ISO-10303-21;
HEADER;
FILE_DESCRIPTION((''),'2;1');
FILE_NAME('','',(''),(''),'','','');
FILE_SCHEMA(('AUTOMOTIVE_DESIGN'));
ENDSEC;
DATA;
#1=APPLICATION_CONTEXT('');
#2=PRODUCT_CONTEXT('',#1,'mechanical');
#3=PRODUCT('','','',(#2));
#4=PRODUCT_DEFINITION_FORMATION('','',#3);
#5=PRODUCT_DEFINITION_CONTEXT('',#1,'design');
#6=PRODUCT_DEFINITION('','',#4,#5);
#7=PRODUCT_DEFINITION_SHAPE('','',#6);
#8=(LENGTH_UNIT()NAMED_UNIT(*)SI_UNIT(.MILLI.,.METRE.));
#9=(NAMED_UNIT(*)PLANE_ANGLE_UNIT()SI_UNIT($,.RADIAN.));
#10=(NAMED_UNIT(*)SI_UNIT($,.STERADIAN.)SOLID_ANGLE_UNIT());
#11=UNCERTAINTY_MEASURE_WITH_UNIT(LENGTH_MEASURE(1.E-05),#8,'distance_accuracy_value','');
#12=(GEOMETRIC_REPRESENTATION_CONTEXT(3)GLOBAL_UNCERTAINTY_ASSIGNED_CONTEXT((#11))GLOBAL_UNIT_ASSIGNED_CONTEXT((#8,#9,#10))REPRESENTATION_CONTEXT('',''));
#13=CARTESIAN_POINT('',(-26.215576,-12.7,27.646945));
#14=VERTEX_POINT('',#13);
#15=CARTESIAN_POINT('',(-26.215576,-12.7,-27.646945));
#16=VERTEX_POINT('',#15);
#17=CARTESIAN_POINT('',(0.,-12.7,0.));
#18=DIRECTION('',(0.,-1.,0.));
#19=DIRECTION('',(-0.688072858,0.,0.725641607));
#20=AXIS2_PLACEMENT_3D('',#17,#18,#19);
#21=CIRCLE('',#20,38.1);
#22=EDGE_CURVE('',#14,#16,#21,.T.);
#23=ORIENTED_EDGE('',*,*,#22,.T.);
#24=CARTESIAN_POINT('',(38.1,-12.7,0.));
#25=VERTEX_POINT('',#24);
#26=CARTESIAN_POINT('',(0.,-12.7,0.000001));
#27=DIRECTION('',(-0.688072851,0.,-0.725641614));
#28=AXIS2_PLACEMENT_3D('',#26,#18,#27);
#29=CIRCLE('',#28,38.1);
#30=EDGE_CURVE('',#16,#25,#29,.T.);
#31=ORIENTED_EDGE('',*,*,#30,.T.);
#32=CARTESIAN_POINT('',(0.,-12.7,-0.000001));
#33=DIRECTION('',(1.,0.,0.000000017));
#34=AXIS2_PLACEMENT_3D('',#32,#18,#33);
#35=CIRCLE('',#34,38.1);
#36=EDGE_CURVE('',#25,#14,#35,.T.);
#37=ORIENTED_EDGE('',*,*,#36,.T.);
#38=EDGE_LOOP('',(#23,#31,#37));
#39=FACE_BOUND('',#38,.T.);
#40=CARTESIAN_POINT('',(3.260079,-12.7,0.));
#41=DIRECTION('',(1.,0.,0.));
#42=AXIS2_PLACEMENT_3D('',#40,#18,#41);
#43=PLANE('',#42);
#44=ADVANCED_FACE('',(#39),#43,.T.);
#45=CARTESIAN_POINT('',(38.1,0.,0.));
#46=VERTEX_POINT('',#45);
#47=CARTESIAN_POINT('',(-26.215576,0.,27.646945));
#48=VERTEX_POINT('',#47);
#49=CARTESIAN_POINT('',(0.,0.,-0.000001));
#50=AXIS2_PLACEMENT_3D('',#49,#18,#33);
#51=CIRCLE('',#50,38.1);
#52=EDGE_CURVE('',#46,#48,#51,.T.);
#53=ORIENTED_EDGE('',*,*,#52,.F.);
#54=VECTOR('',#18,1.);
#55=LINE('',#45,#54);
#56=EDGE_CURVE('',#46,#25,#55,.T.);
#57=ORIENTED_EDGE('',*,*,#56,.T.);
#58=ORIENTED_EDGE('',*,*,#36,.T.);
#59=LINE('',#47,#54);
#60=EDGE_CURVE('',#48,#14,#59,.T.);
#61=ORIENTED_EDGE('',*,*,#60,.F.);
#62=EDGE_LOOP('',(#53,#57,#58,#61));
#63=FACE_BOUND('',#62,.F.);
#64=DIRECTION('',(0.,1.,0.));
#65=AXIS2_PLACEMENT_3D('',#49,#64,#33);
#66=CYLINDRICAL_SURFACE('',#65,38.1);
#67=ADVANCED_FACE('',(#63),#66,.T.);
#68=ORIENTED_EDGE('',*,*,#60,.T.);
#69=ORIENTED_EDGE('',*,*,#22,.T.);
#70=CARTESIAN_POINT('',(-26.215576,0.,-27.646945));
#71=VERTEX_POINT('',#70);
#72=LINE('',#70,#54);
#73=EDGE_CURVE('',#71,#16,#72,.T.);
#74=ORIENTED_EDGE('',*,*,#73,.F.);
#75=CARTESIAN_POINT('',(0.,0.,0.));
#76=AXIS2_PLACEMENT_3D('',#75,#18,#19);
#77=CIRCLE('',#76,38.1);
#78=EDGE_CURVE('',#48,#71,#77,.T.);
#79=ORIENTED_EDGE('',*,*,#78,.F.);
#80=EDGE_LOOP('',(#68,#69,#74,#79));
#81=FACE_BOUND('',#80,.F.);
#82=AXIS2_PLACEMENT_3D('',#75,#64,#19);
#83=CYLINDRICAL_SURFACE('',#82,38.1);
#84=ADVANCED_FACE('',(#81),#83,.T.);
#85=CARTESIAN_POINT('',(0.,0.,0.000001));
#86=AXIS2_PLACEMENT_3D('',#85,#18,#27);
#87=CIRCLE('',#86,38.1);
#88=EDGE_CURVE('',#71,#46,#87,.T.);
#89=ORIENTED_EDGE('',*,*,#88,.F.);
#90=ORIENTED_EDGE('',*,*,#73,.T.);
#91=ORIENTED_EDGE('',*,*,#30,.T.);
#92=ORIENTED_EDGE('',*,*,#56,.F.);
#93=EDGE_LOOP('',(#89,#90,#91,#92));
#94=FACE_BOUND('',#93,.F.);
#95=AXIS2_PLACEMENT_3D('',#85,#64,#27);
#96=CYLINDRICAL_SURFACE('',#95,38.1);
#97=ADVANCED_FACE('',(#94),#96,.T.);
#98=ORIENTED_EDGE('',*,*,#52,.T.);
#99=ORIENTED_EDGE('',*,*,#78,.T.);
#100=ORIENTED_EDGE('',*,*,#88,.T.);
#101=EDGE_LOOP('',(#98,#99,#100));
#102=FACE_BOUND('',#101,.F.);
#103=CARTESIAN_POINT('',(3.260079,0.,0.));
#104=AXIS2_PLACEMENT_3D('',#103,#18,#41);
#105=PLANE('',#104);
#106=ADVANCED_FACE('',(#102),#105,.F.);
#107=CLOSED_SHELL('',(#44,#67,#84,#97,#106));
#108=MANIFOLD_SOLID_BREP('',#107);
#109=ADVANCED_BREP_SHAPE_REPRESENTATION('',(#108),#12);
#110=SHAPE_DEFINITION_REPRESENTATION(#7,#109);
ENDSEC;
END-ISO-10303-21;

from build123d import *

# Parameters (mm, degrees)
F1_DEPTH = 12.7


with BuildPart() as f1:
    # F0 (on Front) → F1 (new body)
    with BuildSketch(Plane.XZ):
        with BuildLine():
            ThreePointArc((-26.215576, -27.646945), (15.046537, -35.003024), (38.1, 0))
            ThreePointArc((38.1, 0), (15.046537, 35.003024), (-26.215576, 27.646945))
            ThreePointArc((-26.215576, 27.646945), (-19.051678, 14.640378), (-16.571451, 0))
            ThreePointArc((-16.571451, 0), (-19.051678, -14.640378), (-26.215576, -27.646945))
        make_face()
        with BuildLine():
            ThreePointArc((-16.571451, 0), (-19.051678, 14.640378), (-26.215576, 27.646945))
            ThreePointArc((-26.215576, 27.646945), (-38.1, 0), (-26.215576, -27.646945))
            ThreePointArc((-26.215576, -27.646945), (-19.051678, -14.640378), (-16.571451, 0))
        make_face()
    extrude(amount=F1_DEPTH)


solid = f1.part
